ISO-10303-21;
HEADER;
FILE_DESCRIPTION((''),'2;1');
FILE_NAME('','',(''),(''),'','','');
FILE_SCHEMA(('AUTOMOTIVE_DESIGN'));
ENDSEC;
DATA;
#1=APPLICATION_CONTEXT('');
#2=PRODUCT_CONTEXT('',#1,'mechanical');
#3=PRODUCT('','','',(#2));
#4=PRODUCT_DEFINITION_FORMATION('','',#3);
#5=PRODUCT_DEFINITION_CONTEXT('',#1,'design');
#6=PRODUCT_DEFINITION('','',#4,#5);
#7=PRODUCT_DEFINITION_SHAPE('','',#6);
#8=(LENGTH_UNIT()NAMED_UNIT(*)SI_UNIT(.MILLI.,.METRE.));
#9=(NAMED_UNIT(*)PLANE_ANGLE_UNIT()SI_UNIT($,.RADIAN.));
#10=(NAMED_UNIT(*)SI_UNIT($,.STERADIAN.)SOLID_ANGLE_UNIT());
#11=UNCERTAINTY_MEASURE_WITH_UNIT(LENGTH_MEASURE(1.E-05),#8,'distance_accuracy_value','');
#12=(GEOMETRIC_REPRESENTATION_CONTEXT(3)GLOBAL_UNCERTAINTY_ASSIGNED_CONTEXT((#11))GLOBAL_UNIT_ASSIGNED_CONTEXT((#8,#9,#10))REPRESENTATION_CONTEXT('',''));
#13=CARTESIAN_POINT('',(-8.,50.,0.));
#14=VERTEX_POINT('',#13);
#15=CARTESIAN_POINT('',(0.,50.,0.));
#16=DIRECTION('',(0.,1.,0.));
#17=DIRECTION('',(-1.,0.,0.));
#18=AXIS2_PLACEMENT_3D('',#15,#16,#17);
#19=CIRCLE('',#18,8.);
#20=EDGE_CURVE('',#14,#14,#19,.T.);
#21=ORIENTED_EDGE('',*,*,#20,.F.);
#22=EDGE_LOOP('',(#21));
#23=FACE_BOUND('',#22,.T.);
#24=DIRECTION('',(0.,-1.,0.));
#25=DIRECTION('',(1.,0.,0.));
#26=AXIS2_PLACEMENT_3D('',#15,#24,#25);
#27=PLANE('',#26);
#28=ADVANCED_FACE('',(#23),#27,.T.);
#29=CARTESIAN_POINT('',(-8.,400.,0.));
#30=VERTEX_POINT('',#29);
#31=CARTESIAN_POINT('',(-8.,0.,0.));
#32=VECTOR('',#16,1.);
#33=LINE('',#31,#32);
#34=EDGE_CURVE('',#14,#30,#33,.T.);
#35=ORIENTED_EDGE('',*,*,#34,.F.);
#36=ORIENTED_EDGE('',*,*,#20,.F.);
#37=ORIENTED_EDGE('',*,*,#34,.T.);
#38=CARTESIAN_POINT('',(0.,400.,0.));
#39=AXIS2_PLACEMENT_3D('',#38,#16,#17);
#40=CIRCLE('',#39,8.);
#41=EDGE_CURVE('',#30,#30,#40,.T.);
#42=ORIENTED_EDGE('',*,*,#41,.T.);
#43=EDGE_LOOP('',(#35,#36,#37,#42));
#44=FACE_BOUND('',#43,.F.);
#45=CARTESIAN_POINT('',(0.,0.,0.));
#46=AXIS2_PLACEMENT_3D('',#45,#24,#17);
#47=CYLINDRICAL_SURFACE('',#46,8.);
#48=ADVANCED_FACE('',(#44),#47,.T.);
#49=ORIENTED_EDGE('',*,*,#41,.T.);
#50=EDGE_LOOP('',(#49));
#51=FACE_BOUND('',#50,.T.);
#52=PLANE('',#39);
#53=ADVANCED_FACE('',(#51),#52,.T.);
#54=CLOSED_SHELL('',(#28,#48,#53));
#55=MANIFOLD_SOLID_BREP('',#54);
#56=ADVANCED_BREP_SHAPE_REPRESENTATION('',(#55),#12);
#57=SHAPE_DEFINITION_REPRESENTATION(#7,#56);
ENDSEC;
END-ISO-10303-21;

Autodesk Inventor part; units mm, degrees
ref_plane "YZ Plane" through (0, 0, 0) normal (1, 0, 0) x (0, 1, 0)
ref_plane "XZ Plane" through (0, 0, 0) normal (0, 1, 0) x (-1, 0, 0)
ref_plane "XY Plane" through (0, 0, 0) normal (0, 0, 1) x (1, 0, 0)
sketch "Sketch1" plane through (0, 0, 0) normal (0, 1, 0) x (-1, 0, 0)
  circle A0 centre (0, 0) radius 8
  dimension "d0" = 16
extrude "Extrusion1" add sketch "Sketch1" along normal blind 400
sketch "Sketch2" plane through (0, 0, 0) normal (0, -1, 0) x (1, 0, 0)
  circle A0 centre (0, 0) radius 8 projected
extrude "Extrusion2" cut sketch "Sketch2" against normal blind 50
properties part number "1605_350mm"
